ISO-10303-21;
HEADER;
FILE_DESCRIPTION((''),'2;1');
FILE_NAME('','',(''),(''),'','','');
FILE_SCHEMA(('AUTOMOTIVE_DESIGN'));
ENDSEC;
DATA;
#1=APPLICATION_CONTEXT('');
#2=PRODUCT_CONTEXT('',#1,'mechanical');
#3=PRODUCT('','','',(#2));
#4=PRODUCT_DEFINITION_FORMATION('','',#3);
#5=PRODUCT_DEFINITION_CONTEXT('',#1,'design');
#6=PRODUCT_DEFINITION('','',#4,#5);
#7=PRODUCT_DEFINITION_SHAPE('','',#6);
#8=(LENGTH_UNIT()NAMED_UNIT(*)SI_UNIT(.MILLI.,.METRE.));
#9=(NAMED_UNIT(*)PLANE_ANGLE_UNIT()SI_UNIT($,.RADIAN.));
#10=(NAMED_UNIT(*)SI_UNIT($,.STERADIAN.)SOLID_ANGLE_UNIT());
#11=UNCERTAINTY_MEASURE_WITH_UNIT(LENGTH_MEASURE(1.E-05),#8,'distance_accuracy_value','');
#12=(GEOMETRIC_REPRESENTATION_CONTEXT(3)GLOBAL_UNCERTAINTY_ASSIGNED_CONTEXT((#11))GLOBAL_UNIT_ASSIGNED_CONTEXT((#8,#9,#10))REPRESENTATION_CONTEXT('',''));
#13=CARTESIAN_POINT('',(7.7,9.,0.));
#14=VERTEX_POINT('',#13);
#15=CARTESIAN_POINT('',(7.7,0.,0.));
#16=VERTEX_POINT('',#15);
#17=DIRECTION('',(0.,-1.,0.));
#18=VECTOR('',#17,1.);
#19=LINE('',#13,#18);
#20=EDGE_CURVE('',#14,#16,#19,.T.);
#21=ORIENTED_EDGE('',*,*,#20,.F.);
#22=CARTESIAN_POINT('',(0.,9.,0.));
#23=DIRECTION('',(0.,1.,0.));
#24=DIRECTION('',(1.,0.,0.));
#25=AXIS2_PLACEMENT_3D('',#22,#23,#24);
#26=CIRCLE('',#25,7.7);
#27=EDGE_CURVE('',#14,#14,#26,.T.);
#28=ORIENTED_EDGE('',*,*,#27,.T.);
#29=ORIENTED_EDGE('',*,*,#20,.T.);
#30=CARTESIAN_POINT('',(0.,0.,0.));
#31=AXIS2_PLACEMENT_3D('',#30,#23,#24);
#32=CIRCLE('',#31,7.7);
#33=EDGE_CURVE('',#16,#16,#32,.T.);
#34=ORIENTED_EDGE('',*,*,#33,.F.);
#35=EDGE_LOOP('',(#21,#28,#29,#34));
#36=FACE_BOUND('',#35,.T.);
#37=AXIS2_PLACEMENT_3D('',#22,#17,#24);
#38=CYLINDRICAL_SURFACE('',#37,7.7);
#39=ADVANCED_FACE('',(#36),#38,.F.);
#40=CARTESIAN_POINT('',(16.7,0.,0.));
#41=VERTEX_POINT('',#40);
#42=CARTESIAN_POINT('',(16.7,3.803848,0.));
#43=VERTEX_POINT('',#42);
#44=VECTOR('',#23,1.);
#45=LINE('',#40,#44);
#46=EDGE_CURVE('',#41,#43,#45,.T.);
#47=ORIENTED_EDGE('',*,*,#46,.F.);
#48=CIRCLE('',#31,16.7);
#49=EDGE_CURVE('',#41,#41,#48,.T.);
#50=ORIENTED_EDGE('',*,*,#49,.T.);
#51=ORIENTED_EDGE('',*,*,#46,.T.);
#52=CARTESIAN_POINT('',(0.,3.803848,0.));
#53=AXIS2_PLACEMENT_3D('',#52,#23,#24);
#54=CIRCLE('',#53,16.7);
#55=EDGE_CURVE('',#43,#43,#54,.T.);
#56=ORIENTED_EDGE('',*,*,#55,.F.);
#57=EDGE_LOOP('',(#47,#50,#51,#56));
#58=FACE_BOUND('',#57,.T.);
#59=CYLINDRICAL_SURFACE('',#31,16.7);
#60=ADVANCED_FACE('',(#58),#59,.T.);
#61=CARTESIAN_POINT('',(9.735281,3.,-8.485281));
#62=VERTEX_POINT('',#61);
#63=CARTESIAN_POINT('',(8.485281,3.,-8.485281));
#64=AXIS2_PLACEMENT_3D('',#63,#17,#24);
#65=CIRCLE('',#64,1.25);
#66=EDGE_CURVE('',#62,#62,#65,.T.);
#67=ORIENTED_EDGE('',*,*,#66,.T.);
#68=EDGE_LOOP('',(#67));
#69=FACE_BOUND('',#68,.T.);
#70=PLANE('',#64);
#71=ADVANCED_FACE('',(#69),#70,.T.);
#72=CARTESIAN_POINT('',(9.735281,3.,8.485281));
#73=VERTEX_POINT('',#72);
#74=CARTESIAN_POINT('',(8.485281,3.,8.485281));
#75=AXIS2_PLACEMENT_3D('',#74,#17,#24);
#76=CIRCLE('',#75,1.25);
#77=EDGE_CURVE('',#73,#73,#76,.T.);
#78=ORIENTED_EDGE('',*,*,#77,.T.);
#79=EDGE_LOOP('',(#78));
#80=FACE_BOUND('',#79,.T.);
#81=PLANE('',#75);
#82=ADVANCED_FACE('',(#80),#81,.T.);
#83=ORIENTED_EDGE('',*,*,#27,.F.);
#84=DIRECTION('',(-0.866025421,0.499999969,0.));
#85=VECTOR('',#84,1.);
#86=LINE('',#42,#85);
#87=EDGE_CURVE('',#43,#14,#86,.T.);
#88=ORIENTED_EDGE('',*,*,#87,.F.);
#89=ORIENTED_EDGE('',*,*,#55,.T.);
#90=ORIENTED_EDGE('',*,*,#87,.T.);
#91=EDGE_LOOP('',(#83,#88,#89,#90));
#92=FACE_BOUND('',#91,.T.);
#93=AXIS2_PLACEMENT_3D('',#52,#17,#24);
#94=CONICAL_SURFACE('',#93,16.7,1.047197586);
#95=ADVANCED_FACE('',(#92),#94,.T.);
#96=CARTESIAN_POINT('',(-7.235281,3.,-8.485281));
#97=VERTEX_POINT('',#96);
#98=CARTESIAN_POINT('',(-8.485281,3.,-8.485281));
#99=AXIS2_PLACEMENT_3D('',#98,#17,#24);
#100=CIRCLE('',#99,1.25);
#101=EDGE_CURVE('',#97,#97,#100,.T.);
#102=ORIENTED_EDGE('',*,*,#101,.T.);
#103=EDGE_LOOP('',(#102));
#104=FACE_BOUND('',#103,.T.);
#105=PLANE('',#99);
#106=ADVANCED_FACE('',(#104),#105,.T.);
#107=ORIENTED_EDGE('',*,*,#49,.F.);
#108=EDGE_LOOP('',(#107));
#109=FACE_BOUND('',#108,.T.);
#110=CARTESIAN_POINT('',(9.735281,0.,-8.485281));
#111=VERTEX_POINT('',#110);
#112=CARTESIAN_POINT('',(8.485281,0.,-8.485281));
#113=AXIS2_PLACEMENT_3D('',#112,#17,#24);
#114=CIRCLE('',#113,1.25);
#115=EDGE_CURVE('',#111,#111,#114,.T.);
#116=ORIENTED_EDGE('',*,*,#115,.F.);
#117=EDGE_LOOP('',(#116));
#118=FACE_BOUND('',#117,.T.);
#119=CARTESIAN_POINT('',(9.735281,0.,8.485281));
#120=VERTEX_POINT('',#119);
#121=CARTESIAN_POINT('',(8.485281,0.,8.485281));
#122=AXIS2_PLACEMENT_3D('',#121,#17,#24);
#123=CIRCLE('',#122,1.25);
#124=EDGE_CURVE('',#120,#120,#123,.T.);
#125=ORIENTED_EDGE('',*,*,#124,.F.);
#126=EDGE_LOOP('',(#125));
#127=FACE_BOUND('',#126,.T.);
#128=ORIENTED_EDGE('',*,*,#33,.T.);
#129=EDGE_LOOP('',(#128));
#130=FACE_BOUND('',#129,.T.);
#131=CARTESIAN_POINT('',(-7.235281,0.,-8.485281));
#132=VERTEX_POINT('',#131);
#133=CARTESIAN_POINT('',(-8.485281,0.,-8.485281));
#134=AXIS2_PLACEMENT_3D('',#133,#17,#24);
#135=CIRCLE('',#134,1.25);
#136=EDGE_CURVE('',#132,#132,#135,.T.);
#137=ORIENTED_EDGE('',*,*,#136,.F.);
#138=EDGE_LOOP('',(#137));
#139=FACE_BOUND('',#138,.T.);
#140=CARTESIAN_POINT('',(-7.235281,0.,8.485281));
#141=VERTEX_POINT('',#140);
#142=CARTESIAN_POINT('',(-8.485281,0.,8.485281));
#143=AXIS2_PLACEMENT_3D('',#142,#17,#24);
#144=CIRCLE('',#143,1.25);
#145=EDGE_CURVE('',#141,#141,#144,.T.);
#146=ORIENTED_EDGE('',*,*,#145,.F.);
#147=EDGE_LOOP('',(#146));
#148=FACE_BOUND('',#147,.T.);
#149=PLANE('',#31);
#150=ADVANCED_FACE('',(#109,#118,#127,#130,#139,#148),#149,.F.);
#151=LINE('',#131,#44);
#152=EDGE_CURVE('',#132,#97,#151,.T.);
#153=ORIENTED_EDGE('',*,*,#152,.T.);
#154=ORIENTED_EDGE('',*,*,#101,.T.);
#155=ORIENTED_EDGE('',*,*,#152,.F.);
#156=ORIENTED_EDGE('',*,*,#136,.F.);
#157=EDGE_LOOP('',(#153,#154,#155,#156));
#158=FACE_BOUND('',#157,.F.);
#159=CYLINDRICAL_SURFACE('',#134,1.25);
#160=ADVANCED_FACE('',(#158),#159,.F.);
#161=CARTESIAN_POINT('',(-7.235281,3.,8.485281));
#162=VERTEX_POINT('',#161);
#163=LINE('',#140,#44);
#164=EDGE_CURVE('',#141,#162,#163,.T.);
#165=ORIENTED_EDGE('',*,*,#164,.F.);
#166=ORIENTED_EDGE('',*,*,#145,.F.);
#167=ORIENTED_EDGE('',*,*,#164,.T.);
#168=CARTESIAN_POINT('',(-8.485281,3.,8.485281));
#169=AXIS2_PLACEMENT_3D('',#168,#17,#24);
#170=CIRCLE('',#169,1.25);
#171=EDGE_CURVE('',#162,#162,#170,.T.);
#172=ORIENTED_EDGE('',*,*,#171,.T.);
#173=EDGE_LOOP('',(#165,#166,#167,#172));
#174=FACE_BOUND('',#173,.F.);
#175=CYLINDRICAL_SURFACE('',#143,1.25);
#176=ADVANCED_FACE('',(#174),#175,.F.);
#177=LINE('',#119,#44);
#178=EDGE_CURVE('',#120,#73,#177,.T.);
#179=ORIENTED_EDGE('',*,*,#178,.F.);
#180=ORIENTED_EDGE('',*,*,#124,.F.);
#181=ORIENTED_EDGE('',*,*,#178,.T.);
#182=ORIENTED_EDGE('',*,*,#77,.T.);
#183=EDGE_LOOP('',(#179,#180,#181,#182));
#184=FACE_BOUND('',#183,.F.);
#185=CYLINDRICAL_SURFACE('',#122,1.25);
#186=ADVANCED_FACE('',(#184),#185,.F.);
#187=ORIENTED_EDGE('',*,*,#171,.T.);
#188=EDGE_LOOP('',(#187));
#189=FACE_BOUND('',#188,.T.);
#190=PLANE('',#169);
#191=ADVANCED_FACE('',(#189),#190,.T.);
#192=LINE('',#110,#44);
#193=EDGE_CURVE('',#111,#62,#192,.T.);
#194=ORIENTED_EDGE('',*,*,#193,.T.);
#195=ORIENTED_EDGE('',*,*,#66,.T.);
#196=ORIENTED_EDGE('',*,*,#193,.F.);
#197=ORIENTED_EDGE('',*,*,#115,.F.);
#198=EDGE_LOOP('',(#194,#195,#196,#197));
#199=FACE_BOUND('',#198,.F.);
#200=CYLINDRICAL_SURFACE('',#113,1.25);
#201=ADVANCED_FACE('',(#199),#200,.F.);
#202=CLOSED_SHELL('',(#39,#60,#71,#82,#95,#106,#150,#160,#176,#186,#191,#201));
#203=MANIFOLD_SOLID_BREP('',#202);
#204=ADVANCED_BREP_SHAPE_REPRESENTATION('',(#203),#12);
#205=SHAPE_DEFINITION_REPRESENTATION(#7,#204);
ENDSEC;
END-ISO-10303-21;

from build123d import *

# Parameters (mm, degrees)
SKETCH001_R  = 1.25
POCKET_DEPTH = 3


with BuildPart() as part:
    # Sketch → Revolution (revolve)
    with BuildSketch(Plane.XY):
        Polygon((7.7, 0), (16.7, 0), (16.7, 3.803848), (7.7, 9), align=None)
    revolve(axis=Axis((0, 0, 0), (0, 1, 0)))

    # Sketch001 (on Face1 of Revolution) → Pocket (cut)
    with BuildSketch(Plane.XZ):
        with Locations((-8.485281, 8.485281)):
            Circle(SKETCH001_R)
        with Locations((8.485281, 8.485281)):
            Circle(SKETCH001_R)
        with Locations((8.485281, -8.485281)):
            Circle(SKETCH001_R)
        with Locations((-8.485281, -8.485281)):
            Circle(SKETCH001_R)
    extrude(amount=-POCKET_DEPTH, mode=Mode.SUBTRACT)


solid = part.part
